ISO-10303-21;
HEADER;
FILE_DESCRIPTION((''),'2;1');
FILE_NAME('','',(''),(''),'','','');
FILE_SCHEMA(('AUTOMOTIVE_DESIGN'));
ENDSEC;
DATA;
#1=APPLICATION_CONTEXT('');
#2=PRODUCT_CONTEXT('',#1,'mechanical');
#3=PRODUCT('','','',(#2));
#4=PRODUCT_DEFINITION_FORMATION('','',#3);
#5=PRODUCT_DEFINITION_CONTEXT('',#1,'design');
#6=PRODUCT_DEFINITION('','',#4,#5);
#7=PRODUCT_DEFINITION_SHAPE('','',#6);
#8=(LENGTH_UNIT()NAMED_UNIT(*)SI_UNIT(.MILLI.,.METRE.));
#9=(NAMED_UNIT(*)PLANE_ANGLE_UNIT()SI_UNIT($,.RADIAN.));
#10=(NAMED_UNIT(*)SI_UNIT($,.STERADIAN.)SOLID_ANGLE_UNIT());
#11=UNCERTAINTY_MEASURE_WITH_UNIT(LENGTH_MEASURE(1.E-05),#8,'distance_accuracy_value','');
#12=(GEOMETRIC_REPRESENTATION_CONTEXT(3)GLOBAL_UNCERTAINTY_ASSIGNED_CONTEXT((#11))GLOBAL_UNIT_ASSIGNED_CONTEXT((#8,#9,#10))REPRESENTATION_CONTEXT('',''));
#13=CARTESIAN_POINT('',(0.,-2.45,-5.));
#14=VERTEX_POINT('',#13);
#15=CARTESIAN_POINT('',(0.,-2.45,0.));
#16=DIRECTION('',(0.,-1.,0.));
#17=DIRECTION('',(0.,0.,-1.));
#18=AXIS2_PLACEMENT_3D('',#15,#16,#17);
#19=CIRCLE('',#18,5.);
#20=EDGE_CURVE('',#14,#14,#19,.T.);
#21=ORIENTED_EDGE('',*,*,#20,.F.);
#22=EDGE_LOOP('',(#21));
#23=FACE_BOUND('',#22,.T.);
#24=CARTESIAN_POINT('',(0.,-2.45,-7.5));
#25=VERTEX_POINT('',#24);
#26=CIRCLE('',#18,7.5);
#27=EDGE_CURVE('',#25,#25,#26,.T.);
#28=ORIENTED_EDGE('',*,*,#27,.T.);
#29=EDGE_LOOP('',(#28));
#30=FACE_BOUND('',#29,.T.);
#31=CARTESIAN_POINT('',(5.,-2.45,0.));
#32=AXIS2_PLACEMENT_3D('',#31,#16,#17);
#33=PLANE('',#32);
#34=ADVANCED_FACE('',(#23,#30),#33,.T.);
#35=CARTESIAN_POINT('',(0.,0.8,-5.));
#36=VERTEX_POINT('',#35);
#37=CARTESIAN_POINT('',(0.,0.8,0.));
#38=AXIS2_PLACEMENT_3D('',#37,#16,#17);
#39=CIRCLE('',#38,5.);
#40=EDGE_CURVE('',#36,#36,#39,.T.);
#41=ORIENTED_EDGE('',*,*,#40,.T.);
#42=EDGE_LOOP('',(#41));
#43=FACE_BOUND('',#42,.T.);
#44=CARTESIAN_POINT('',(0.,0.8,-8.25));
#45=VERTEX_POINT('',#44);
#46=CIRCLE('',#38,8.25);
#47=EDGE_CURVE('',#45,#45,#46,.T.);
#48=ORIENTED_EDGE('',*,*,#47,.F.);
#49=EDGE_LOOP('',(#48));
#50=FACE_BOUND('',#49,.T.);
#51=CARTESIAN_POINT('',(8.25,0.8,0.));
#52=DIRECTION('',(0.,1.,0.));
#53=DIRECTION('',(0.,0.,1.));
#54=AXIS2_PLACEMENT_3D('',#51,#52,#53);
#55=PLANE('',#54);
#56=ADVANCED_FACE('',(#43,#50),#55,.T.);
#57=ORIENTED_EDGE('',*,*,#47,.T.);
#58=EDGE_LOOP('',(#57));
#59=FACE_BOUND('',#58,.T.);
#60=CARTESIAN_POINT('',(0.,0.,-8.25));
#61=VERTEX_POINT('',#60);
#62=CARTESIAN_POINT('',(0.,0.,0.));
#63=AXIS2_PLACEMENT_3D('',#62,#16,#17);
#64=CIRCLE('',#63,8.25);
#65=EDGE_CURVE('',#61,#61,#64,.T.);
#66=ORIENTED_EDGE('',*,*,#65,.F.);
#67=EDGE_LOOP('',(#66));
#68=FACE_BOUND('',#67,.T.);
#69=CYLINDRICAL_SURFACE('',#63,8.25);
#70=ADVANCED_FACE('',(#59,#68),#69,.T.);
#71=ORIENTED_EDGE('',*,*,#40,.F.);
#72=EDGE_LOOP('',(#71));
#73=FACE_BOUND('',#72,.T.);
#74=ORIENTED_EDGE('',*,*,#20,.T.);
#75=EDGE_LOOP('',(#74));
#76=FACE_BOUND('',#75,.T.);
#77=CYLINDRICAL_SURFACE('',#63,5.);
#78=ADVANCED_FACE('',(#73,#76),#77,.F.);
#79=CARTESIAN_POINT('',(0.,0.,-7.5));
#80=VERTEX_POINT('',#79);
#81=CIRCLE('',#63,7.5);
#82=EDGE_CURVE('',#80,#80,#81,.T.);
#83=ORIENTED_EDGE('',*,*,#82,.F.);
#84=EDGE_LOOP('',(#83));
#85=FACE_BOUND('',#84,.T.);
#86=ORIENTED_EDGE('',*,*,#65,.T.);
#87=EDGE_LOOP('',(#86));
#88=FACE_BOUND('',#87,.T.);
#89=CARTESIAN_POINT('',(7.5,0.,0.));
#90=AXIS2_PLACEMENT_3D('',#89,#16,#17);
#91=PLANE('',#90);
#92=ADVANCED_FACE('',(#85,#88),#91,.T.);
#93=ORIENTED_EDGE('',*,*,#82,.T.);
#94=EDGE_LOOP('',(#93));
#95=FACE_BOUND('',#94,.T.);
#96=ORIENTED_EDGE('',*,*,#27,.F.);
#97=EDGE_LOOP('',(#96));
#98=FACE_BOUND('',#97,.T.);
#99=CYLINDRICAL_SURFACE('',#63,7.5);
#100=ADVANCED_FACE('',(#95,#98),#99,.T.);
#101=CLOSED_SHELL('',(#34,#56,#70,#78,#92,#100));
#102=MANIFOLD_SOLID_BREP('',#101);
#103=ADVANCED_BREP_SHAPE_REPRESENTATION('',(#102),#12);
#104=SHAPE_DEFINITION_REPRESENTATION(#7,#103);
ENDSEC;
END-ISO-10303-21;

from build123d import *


with BuildPart() as part:
    # ｽｹｯﾁ1 → 回転1 (revolve)
    with BuildSketch(Plane.XY, mode=Mode.PRIVATE) as revolve_1_sk:
        Polygon((5, 0.8), (5, -2.45), (7.5, -2.45), (7.5, 0), (8.25, 0), (8.25, 0.8), align=None)
    revolve(revolve_1_sk.sketch.rotate(Axis((0, 0, 0), (0, 1, 0)), 90), axis=Axis((0, 0, 0), (0, 1, 0)))


solid = part.part
